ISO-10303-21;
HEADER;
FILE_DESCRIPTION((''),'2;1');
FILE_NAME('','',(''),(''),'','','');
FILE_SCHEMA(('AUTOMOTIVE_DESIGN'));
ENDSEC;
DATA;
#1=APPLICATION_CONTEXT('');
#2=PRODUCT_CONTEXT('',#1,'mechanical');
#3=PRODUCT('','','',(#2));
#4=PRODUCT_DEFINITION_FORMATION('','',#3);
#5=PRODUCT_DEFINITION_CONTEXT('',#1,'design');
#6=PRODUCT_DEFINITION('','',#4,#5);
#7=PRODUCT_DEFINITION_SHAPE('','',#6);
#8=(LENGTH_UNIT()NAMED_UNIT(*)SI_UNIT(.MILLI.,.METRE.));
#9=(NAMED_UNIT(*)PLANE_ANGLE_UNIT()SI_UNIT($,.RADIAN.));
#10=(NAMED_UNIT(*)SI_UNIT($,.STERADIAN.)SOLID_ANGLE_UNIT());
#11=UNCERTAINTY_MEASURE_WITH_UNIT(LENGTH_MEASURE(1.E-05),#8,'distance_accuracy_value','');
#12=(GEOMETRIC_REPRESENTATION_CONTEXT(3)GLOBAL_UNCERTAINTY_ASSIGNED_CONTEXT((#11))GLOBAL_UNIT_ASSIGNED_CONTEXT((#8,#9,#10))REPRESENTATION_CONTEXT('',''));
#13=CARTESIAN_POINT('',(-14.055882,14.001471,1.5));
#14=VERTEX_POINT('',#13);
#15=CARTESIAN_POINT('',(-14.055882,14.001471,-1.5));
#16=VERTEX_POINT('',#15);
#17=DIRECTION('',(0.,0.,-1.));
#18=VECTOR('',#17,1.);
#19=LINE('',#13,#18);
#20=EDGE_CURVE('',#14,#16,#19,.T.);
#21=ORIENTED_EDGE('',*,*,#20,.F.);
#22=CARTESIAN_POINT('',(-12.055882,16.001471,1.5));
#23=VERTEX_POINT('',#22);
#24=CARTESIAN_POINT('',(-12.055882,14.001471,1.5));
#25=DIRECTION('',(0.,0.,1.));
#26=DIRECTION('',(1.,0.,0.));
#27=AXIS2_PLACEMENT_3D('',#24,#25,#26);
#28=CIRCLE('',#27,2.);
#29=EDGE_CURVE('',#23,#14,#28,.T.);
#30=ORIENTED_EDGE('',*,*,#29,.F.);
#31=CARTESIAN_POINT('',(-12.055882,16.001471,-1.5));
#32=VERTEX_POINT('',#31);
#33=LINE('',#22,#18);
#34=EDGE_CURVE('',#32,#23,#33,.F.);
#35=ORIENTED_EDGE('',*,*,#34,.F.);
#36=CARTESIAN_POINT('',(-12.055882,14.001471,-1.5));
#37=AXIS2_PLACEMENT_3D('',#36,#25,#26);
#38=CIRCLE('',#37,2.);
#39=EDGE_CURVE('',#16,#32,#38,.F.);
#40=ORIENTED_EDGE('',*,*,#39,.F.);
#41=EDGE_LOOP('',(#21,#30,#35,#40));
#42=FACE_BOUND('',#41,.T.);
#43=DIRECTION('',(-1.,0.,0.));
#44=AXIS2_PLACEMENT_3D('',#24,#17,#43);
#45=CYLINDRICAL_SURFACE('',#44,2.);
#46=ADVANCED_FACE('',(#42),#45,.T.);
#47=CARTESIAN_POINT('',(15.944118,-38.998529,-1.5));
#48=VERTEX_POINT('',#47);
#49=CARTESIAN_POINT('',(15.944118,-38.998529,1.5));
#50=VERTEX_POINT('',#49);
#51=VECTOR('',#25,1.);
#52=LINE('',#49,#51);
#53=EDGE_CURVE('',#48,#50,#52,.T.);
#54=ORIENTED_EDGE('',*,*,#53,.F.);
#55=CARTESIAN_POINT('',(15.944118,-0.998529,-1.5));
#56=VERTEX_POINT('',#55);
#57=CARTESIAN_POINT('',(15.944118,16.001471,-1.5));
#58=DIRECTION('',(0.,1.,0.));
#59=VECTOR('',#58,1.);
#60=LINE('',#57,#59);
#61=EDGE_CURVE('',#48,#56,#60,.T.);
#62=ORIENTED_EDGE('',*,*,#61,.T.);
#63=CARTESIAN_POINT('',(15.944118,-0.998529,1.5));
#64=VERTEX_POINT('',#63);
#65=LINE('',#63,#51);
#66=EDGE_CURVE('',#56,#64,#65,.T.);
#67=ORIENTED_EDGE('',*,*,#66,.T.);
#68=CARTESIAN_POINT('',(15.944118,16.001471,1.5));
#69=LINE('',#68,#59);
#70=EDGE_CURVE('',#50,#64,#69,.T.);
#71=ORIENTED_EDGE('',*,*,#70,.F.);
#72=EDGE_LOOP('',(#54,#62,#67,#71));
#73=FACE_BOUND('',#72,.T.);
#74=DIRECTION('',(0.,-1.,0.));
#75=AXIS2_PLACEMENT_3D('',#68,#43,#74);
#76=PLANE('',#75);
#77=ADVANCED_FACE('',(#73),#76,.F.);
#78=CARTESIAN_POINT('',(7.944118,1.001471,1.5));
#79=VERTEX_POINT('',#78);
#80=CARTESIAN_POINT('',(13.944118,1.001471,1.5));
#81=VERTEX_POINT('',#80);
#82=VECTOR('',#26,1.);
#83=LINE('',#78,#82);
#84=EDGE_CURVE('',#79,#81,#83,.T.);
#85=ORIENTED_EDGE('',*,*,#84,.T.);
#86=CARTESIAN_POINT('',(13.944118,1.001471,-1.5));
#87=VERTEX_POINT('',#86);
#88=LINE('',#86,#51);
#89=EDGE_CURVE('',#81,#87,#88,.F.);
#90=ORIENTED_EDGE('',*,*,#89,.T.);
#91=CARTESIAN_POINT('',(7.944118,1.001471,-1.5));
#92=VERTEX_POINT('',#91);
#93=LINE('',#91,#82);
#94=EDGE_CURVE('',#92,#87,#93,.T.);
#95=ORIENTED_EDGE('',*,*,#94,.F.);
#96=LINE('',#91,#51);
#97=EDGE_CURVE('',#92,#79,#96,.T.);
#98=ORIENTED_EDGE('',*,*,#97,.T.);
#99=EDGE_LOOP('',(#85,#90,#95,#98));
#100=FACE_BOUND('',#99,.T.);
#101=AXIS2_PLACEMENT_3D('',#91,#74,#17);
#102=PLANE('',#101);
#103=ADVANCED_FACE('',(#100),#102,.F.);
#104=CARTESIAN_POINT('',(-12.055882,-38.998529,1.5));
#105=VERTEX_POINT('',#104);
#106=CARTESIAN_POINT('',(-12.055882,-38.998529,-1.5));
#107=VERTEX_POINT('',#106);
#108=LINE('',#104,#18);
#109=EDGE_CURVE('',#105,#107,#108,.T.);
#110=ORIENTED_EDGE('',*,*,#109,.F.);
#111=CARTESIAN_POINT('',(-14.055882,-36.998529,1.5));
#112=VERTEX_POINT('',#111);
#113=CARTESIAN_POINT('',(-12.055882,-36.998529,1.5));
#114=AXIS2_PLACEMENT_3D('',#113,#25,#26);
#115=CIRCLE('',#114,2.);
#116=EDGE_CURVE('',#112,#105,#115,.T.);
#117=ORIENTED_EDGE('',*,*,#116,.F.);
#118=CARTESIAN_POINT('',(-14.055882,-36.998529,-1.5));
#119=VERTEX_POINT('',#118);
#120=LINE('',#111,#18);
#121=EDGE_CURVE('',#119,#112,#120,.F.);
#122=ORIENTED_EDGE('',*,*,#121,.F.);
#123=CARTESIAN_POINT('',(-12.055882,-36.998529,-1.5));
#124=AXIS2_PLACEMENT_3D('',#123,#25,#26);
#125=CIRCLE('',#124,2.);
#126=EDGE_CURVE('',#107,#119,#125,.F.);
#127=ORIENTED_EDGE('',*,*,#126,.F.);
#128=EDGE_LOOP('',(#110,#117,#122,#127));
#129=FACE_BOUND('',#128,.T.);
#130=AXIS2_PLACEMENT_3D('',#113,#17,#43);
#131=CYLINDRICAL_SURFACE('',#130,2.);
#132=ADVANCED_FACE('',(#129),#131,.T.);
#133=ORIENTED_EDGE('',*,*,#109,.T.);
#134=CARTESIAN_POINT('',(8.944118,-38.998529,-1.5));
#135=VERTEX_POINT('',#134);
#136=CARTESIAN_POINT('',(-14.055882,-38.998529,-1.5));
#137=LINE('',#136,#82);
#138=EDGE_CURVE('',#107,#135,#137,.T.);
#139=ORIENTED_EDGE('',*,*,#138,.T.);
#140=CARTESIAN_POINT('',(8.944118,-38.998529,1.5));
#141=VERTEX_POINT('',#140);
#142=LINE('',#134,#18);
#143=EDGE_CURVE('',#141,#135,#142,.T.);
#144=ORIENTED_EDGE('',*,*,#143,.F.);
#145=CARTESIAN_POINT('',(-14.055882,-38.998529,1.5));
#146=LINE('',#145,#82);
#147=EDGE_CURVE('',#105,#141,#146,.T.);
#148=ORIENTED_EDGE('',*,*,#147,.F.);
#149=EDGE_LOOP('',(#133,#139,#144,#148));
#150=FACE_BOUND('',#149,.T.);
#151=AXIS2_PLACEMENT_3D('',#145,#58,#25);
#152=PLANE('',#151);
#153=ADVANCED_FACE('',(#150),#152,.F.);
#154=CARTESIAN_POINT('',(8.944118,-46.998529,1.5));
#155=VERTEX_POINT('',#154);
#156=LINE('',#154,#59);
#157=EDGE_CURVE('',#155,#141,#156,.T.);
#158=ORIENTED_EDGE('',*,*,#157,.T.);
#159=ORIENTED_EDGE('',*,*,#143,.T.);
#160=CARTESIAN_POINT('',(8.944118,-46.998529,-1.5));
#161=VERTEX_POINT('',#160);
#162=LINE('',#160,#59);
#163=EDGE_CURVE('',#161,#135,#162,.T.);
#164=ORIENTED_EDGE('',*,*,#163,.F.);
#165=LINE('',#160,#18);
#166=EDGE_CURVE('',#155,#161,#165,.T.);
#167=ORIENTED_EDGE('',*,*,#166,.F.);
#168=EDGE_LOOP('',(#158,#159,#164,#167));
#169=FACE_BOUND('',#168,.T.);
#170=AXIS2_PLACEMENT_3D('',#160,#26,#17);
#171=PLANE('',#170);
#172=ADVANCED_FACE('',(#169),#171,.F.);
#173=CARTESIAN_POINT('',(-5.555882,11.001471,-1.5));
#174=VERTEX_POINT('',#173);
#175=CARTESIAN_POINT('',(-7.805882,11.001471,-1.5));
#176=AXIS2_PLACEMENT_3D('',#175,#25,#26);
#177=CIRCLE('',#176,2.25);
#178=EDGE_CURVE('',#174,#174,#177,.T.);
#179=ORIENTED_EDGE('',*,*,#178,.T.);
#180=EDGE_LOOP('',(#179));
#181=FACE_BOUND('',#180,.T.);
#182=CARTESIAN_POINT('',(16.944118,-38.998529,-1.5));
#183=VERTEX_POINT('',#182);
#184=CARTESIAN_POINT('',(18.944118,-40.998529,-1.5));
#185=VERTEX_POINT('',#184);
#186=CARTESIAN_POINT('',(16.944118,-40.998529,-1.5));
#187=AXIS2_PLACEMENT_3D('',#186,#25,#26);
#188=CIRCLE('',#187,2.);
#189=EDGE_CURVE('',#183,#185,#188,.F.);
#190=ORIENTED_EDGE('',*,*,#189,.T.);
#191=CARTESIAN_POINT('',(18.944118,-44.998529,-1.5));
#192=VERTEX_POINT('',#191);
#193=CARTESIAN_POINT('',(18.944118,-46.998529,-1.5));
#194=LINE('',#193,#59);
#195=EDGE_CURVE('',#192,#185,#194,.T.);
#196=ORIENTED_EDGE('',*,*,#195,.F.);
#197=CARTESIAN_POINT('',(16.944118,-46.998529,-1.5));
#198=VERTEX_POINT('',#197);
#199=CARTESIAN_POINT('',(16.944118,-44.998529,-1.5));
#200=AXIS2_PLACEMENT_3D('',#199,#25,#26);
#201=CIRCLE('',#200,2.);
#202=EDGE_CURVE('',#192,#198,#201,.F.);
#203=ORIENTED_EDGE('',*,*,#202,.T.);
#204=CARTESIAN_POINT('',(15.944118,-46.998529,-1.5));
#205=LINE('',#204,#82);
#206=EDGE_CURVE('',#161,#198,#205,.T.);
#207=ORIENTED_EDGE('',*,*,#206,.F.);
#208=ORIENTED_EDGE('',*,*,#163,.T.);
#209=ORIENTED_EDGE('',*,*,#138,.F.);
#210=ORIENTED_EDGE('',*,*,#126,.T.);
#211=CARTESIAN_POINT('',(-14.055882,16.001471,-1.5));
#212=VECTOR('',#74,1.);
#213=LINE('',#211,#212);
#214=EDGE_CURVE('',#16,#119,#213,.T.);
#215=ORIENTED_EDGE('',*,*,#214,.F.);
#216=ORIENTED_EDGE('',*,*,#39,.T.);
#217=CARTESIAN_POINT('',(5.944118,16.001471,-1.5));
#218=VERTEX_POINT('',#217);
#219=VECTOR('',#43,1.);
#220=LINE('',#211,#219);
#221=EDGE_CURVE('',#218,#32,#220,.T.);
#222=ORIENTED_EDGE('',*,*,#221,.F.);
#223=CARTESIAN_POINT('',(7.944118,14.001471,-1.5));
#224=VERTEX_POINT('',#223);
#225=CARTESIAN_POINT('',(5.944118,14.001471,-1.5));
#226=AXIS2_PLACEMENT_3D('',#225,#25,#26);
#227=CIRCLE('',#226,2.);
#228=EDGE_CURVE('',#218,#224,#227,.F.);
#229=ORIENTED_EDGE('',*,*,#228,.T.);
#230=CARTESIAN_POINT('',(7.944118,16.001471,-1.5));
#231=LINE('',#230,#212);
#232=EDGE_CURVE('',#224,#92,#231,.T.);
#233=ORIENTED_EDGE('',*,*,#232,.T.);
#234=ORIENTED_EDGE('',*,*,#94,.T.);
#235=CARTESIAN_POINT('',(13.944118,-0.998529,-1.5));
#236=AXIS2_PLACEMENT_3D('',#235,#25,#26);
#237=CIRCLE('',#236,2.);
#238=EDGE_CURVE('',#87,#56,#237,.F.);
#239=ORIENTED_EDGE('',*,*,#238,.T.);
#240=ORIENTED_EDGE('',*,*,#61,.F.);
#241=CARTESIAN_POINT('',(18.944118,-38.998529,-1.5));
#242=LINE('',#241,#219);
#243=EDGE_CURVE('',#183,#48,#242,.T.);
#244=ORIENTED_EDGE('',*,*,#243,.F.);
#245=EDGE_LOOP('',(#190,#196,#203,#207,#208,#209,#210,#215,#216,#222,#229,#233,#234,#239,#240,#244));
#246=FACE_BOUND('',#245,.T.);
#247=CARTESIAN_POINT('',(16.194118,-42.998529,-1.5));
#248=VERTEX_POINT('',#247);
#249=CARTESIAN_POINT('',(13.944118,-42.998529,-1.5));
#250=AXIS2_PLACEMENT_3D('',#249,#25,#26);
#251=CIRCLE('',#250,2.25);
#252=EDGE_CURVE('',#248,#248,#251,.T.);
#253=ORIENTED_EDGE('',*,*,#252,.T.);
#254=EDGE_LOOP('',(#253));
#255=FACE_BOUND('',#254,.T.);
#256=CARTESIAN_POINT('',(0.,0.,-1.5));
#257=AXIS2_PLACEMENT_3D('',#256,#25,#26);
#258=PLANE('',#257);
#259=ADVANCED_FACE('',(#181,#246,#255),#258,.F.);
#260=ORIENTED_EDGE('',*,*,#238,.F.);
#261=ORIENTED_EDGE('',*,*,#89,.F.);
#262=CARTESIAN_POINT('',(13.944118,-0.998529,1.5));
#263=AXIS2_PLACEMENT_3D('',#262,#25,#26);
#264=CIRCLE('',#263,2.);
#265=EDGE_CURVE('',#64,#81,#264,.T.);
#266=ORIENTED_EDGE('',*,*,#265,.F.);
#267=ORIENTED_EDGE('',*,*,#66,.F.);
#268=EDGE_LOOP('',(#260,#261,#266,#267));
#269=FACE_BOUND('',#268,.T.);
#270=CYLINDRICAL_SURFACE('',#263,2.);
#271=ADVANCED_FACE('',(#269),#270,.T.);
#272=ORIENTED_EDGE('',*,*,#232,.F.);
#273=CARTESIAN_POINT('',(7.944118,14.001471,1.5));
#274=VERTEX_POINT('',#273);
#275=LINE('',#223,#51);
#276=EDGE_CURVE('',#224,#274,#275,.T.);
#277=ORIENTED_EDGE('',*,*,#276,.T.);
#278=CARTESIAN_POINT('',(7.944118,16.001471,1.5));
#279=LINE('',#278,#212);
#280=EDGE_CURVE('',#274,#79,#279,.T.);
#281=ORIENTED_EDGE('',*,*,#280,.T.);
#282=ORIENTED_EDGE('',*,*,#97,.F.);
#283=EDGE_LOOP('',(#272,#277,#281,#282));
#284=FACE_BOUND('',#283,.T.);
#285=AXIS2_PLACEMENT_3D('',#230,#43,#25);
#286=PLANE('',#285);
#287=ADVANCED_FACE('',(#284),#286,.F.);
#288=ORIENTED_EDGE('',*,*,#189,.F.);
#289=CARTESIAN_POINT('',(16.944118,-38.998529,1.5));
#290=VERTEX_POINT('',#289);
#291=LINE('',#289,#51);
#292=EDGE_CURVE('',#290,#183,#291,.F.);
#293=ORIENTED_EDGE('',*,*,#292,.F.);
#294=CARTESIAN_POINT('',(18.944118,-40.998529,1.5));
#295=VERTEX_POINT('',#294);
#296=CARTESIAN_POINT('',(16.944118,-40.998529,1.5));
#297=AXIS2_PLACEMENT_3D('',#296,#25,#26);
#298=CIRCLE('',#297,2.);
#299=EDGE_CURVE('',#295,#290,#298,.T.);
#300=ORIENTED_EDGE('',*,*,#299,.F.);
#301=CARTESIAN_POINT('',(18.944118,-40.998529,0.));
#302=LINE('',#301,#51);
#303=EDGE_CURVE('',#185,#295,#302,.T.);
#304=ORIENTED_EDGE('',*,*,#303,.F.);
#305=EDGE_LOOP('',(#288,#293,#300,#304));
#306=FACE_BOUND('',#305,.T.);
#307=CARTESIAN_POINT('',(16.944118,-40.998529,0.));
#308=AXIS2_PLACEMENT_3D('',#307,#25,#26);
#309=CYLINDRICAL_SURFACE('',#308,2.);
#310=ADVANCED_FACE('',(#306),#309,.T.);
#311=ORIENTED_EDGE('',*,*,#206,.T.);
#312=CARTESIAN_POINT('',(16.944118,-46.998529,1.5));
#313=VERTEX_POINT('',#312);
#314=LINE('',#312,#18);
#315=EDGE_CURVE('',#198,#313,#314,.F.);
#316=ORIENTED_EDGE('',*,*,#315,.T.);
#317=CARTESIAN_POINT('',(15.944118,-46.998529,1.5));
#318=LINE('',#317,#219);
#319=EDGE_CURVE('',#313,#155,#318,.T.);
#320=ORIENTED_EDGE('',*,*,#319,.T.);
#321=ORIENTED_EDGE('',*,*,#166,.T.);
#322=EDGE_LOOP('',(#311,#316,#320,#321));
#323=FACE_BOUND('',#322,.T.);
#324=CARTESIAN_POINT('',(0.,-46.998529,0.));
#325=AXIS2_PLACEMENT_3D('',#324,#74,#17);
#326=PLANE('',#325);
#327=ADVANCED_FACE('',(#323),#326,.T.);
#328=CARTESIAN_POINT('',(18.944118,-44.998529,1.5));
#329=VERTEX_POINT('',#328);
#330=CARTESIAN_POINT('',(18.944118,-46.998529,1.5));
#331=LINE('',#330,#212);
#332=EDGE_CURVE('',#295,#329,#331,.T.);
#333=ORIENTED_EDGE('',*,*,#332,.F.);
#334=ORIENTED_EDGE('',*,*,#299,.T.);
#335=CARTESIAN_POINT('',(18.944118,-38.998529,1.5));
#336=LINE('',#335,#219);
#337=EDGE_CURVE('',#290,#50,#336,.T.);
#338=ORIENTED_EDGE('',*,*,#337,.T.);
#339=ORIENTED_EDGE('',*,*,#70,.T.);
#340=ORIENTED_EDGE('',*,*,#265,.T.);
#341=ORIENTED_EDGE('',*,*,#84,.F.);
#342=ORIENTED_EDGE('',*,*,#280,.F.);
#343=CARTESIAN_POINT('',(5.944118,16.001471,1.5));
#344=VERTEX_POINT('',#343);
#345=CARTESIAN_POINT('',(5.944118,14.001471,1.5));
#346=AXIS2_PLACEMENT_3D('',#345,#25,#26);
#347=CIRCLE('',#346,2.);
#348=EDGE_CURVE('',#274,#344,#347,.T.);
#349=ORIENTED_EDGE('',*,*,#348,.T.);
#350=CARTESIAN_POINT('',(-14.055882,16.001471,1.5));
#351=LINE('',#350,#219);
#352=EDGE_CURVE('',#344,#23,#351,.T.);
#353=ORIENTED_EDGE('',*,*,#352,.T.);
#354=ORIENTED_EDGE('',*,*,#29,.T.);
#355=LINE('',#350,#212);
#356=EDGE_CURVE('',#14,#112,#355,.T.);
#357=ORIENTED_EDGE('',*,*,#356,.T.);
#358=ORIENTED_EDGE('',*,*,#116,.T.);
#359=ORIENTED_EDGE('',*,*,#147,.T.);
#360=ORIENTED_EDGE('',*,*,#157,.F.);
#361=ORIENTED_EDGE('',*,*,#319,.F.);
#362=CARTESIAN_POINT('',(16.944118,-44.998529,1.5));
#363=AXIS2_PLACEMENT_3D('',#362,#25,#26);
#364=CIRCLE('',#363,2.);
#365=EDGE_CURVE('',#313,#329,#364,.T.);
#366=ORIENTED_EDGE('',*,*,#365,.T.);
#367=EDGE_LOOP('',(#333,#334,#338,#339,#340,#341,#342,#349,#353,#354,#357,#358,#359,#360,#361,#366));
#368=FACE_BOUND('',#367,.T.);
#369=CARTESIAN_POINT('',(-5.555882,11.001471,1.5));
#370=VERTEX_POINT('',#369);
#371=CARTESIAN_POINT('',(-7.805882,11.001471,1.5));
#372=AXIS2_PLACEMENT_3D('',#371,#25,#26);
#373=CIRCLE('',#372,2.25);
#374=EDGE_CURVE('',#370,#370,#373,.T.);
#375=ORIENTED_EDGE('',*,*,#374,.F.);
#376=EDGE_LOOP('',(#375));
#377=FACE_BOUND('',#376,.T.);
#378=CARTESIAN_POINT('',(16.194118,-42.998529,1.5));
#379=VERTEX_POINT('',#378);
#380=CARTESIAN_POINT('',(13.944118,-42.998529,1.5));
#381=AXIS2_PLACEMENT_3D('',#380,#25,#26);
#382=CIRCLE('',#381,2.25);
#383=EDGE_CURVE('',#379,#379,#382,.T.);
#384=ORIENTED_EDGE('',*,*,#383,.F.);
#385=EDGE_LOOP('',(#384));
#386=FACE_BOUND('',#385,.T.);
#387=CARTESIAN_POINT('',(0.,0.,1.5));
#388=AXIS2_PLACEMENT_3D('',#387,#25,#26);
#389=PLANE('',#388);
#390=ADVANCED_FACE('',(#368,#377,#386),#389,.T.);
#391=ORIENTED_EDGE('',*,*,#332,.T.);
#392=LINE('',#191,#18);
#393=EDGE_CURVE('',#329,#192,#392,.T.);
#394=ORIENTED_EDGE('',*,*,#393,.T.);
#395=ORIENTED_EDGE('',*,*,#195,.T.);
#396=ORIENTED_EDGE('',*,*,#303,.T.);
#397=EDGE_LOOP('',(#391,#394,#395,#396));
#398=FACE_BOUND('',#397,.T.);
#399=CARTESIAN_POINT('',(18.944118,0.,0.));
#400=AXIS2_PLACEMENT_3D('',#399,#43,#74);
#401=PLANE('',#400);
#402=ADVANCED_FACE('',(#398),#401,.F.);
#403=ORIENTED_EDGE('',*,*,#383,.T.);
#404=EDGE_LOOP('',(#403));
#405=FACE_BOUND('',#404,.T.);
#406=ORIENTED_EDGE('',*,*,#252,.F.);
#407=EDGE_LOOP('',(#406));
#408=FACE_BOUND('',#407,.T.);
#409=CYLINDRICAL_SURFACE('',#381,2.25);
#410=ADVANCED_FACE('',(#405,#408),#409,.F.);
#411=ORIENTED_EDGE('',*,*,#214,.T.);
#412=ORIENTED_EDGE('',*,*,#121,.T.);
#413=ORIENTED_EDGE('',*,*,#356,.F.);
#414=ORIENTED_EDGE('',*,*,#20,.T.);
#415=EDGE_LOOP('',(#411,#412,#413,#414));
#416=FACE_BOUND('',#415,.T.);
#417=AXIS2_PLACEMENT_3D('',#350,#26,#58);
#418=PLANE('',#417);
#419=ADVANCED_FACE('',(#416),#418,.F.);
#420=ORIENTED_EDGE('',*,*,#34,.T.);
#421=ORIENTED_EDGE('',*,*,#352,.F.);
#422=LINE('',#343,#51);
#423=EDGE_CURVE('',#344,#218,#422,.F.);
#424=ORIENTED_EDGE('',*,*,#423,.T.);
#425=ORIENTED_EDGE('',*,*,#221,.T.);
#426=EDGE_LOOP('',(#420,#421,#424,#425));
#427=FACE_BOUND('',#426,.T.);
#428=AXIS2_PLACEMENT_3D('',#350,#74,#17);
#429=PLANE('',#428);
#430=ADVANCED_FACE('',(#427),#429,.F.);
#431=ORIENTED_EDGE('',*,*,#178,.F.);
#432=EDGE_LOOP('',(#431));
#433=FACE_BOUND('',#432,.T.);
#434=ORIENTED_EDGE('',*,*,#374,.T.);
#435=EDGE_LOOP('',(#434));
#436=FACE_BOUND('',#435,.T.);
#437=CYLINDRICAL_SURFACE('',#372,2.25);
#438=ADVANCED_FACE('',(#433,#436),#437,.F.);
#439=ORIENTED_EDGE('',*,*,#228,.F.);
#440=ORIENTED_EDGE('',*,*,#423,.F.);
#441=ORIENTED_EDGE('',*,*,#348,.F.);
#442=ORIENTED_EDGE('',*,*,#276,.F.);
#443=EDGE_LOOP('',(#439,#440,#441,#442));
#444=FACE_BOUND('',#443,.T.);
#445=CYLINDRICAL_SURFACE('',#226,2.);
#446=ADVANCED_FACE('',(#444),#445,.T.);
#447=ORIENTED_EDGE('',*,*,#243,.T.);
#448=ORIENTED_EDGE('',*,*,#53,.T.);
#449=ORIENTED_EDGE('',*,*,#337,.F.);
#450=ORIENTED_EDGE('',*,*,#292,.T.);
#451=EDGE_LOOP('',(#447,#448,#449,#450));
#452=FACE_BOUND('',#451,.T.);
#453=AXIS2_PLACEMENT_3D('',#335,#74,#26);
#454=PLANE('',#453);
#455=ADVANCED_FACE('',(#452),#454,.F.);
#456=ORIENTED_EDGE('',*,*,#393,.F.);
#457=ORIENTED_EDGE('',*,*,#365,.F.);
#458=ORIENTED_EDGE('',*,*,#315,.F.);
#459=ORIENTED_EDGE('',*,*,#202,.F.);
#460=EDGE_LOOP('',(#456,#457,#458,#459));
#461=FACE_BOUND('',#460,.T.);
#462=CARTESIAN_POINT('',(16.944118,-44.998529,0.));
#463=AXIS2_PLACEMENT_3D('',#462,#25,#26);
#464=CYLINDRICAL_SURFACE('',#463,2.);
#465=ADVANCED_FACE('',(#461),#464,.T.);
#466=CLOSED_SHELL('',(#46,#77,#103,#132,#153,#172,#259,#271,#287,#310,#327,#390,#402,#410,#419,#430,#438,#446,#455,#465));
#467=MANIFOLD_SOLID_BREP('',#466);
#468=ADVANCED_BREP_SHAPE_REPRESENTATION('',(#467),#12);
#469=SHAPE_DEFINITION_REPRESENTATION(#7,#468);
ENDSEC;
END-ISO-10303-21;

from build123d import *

# Parameters (mm, degrees)
SKETCH1_W            = 30
SKETCH1_H            = 55
BOSS_EXTRUDE1_DEPTH  = 1.5
SKETCH2_W            = 8
SKETCH2_H            = 15
CUT_EXTRUDE1_DEPTH   = 43.238610108
SKETCH3_W            = 7
SKETCH3_H            = 3
BOSS_EXTRUDE2_DEPTH  = 8
SKETCH6_W            = 3
SKETCH6_H            = 8
BOSS_EXTRUDE3_DEPTH  = 3
M4_CLEARANCE_HOLE1_D = 4.5
FILLET1_R            = 2


with BuildPart() as part:
    # Sketch1 → Boss-Extrude1 (new, symmetric)
    with BuildSketch(Plane.XY):
        with Locations((0.944117647, -11.498529412)):
            Rectangle(SKETCH1_W, SKETCH1_H)
    extrude(amount=BOSS_EXTRUDE1_DEPTH, both=True)

    # Sketch2 → Cut-Extrude1 (cut, through all)
    with BuildSketch(Plane.XY.offset(1.5)):
        with Locations((11.944117647, 8.501470588)):
            Rectangle(SKETCH2_W, SKETCH2_H)
    extrude(amount=-CUT_EXTRUDE1_DEPTH, mode=Mode.SUBTRACT)

    # Sketch3 → Boss-Extrude2 (add)
    with BuildSketch(Plane(origin=(0, -38.998529412, 0), x_dir=(-1, 0, 0), z_dir=(0, -1, 0))):
        with Locations((-12.444117647, 0)):
            Rectangle(SKETCH3_W, SKETCH3_H)
    extrude(amount=BOSS_EXTRUDE2_DEPTH)

    # Sketch6 → Boss-Extrude3 (add)
    with BuildSketch(Plane(origin=(15.944117647, 0, 0), x_dir=(0, 0, -1), z_dir=(1, 0, 0))):
        with Locations((0, -42.998529412)):
            Rectangle(SKETCH6_W, SKETCH6_H)
    extrude(amount=BOSS_EXTRUDE3_DEPTH)

    # M4 Clearance Hole1 (through all)
    with Locations(Plane.XY.offset(1.5)):
        with Locations((-7.805882353, 11.001470588), (13.944117647, -42.998529412)):
            Hole(M4_CLEARANCE_HOLE1_D / 2)

    # Fillet1
    fillet1_edges = [part.edges().sort_by_distance(p)[0] for p in [
        (7.944117647, 16.001470588, 0),
        (15.944117647, 1.001470588, 0),
        (18.944117647, -46.998529412, 0),
        (18.944117647, -38.998529412, 0),
        (-14.055882353, 16.001470588, 0),
        (-14.055882353, -38.998529412, 0),
    ]]
    fillet(fillet1_edges, radius=FILLET1_R)


solid = part.part
